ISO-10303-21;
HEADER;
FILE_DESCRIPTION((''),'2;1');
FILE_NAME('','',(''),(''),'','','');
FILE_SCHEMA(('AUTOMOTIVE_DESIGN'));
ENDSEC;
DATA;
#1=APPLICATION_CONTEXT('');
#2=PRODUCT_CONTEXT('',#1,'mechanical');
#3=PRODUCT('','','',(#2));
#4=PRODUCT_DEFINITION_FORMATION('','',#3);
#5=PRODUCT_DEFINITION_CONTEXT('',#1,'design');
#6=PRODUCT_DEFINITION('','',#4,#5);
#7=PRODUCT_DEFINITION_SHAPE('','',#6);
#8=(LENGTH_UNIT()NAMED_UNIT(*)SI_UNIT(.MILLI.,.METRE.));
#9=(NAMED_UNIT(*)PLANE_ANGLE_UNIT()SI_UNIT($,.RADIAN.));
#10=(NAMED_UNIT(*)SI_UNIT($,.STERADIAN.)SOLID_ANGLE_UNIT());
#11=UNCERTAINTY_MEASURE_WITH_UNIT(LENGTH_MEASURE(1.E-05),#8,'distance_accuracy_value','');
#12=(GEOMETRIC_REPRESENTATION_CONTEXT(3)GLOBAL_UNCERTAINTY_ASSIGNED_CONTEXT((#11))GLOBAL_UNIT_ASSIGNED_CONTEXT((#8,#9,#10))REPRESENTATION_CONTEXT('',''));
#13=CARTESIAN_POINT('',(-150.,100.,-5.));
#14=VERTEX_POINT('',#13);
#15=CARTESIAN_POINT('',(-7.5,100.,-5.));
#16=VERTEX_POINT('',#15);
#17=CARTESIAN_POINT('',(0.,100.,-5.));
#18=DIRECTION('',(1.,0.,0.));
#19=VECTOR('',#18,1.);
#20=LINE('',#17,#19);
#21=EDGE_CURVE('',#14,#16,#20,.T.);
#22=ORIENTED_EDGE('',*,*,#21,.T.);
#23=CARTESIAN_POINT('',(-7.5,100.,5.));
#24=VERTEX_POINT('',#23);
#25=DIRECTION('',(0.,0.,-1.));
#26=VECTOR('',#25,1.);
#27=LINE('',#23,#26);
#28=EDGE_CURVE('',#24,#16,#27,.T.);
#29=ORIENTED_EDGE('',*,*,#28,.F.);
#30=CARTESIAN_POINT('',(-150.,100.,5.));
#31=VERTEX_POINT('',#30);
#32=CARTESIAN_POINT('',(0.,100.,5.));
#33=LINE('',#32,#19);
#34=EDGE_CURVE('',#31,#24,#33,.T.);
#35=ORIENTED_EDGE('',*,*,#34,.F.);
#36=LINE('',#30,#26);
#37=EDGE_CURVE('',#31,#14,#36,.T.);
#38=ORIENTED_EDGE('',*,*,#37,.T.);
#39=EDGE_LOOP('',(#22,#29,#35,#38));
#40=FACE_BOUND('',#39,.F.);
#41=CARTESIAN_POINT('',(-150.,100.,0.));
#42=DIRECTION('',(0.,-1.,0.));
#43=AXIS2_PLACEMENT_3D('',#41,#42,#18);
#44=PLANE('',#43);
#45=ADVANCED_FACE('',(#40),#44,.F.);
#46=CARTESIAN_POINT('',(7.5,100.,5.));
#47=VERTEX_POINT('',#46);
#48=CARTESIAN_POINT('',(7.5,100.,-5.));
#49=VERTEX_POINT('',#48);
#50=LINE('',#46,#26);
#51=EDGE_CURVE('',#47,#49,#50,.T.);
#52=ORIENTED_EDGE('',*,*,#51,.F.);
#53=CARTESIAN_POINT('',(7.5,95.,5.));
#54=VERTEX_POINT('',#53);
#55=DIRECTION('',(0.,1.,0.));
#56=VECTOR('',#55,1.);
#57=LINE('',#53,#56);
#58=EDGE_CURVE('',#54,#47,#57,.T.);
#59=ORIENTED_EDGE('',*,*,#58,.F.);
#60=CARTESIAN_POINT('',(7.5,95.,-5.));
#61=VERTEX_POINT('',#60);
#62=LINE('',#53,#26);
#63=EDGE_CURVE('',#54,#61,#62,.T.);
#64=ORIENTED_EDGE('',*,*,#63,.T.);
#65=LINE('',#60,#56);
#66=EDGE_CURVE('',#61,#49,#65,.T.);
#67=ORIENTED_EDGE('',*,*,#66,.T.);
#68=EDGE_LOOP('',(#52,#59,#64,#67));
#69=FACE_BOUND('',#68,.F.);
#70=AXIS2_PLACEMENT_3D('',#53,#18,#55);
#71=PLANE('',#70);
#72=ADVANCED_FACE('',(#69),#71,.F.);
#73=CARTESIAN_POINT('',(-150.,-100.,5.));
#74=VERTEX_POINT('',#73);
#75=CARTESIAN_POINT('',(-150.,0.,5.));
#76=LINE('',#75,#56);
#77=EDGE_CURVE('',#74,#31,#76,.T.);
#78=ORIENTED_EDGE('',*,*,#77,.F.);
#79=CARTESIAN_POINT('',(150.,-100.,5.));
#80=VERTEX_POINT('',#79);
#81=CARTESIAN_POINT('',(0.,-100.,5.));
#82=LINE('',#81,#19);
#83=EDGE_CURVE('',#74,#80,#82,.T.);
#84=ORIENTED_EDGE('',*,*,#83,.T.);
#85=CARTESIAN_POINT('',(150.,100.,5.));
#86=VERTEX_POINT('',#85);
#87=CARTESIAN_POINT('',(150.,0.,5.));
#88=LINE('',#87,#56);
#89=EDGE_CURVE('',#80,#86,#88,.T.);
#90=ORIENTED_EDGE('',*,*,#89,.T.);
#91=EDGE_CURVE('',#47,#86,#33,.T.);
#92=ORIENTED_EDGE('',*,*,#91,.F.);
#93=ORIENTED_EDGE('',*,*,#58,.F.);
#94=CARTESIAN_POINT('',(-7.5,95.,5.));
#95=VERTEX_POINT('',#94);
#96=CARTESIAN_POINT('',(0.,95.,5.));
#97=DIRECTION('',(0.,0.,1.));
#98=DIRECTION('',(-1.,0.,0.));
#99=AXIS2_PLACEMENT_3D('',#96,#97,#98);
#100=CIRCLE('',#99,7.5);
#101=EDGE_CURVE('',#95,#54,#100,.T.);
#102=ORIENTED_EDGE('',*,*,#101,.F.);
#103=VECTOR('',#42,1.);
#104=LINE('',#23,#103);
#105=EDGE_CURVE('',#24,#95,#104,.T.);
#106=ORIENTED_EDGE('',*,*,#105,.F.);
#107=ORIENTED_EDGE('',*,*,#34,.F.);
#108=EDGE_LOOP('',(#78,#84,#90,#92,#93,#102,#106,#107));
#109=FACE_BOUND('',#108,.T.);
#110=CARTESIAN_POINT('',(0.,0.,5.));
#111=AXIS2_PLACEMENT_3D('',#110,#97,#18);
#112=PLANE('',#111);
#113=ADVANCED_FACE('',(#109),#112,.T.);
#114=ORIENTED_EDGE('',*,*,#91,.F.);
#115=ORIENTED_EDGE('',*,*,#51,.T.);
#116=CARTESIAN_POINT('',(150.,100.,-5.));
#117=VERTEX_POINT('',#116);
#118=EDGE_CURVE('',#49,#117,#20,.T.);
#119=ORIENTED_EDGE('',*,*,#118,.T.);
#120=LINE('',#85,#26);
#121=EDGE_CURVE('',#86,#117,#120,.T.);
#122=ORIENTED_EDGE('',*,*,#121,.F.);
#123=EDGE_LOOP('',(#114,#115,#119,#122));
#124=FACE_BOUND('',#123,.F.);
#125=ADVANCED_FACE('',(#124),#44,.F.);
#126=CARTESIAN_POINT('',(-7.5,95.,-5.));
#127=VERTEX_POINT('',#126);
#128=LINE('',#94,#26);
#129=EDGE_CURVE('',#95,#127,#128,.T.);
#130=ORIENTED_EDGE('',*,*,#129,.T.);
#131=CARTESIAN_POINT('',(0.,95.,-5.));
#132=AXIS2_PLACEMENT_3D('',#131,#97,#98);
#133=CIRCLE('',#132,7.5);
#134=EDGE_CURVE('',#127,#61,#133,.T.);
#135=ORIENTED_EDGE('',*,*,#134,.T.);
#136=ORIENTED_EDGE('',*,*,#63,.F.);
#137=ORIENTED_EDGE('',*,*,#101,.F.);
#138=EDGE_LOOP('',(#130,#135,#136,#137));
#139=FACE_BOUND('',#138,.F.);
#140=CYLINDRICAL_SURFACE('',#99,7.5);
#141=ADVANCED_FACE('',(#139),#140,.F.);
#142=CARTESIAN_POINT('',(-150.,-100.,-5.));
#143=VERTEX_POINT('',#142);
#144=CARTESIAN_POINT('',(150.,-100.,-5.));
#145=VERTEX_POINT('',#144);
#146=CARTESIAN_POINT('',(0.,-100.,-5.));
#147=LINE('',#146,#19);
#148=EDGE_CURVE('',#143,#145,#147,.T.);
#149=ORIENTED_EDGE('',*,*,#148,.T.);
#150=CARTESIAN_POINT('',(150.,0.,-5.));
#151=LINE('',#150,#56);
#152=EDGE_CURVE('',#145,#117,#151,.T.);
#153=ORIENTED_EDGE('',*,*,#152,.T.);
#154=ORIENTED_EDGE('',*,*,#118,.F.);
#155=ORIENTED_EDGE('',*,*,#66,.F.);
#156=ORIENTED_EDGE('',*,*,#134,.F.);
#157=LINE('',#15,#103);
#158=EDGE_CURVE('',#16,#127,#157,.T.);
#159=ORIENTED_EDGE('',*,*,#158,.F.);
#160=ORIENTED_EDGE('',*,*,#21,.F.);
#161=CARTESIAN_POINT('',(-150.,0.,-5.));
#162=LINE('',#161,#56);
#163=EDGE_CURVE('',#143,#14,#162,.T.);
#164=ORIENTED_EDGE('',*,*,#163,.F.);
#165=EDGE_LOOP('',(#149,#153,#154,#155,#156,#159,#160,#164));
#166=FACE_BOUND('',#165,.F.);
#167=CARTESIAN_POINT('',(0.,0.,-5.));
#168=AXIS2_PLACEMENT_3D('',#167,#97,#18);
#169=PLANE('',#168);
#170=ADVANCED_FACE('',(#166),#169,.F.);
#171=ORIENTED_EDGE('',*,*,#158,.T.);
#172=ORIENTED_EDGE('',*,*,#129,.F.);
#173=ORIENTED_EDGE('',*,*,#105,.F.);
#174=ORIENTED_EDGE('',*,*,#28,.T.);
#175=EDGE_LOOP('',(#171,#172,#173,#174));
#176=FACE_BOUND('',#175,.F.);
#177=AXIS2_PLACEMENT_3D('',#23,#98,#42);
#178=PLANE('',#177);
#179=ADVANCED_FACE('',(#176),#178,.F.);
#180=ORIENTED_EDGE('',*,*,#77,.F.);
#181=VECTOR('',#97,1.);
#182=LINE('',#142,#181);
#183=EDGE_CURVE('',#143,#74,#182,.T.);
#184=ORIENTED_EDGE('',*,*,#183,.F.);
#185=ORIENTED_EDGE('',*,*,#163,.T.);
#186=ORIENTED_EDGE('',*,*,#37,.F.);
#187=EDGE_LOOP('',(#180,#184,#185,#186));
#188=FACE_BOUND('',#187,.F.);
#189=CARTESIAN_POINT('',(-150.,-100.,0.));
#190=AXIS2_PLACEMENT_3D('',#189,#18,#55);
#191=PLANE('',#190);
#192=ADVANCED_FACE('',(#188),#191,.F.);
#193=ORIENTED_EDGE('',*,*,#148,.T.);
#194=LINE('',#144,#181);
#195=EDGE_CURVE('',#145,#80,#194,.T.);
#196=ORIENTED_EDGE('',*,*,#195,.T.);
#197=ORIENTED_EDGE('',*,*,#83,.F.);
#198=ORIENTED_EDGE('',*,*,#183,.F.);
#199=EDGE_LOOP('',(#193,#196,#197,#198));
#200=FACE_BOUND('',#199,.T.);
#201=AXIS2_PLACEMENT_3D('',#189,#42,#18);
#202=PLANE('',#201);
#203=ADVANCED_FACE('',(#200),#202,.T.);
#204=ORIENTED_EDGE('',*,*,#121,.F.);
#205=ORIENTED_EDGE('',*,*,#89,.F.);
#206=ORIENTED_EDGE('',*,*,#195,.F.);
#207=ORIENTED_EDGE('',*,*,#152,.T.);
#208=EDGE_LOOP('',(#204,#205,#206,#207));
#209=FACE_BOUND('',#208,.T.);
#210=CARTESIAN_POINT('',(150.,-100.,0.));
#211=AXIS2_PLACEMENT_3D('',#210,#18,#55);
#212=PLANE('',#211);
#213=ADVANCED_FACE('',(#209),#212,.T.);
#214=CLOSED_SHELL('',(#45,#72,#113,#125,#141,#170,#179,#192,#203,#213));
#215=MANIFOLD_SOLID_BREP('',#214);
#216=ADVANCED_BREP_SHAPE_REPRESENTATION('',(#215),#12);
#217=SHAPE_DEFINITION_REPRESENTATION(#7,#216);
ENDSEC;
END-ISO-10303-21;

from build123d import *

# Parameters (mm, degrees)
F0_W     = 300
F0_H     = 200
F1_DEPTH = 5
F3_DEPTH = 10


with BuildPart() as f1:
    # F0 (on Top) → F1 (new body, symmetric)
    with BuildSketch(Plane.XY):
        Rectangle(F0_W, F0_H)
    extrude(amount=F1_DEPTH, both=True)

    # F2 (on face) → F3 (cut)
    with BuildSketch(Plane.XY.offset(5)):
        with BuildLine():
            Line((-7.5, 100), (-7.5, 95))
            ThreePointArc((-7.5, 95), (0, 87.5), (7.5, 95))
            Line((7.5, 95), (7.5, 100))
            Line((7.5, 100), (-7.5, 100))
        make_face()
    extrude(amount=-F3_DEPTH, mode=Mode.SUBTRACT)


solid = f1.part
